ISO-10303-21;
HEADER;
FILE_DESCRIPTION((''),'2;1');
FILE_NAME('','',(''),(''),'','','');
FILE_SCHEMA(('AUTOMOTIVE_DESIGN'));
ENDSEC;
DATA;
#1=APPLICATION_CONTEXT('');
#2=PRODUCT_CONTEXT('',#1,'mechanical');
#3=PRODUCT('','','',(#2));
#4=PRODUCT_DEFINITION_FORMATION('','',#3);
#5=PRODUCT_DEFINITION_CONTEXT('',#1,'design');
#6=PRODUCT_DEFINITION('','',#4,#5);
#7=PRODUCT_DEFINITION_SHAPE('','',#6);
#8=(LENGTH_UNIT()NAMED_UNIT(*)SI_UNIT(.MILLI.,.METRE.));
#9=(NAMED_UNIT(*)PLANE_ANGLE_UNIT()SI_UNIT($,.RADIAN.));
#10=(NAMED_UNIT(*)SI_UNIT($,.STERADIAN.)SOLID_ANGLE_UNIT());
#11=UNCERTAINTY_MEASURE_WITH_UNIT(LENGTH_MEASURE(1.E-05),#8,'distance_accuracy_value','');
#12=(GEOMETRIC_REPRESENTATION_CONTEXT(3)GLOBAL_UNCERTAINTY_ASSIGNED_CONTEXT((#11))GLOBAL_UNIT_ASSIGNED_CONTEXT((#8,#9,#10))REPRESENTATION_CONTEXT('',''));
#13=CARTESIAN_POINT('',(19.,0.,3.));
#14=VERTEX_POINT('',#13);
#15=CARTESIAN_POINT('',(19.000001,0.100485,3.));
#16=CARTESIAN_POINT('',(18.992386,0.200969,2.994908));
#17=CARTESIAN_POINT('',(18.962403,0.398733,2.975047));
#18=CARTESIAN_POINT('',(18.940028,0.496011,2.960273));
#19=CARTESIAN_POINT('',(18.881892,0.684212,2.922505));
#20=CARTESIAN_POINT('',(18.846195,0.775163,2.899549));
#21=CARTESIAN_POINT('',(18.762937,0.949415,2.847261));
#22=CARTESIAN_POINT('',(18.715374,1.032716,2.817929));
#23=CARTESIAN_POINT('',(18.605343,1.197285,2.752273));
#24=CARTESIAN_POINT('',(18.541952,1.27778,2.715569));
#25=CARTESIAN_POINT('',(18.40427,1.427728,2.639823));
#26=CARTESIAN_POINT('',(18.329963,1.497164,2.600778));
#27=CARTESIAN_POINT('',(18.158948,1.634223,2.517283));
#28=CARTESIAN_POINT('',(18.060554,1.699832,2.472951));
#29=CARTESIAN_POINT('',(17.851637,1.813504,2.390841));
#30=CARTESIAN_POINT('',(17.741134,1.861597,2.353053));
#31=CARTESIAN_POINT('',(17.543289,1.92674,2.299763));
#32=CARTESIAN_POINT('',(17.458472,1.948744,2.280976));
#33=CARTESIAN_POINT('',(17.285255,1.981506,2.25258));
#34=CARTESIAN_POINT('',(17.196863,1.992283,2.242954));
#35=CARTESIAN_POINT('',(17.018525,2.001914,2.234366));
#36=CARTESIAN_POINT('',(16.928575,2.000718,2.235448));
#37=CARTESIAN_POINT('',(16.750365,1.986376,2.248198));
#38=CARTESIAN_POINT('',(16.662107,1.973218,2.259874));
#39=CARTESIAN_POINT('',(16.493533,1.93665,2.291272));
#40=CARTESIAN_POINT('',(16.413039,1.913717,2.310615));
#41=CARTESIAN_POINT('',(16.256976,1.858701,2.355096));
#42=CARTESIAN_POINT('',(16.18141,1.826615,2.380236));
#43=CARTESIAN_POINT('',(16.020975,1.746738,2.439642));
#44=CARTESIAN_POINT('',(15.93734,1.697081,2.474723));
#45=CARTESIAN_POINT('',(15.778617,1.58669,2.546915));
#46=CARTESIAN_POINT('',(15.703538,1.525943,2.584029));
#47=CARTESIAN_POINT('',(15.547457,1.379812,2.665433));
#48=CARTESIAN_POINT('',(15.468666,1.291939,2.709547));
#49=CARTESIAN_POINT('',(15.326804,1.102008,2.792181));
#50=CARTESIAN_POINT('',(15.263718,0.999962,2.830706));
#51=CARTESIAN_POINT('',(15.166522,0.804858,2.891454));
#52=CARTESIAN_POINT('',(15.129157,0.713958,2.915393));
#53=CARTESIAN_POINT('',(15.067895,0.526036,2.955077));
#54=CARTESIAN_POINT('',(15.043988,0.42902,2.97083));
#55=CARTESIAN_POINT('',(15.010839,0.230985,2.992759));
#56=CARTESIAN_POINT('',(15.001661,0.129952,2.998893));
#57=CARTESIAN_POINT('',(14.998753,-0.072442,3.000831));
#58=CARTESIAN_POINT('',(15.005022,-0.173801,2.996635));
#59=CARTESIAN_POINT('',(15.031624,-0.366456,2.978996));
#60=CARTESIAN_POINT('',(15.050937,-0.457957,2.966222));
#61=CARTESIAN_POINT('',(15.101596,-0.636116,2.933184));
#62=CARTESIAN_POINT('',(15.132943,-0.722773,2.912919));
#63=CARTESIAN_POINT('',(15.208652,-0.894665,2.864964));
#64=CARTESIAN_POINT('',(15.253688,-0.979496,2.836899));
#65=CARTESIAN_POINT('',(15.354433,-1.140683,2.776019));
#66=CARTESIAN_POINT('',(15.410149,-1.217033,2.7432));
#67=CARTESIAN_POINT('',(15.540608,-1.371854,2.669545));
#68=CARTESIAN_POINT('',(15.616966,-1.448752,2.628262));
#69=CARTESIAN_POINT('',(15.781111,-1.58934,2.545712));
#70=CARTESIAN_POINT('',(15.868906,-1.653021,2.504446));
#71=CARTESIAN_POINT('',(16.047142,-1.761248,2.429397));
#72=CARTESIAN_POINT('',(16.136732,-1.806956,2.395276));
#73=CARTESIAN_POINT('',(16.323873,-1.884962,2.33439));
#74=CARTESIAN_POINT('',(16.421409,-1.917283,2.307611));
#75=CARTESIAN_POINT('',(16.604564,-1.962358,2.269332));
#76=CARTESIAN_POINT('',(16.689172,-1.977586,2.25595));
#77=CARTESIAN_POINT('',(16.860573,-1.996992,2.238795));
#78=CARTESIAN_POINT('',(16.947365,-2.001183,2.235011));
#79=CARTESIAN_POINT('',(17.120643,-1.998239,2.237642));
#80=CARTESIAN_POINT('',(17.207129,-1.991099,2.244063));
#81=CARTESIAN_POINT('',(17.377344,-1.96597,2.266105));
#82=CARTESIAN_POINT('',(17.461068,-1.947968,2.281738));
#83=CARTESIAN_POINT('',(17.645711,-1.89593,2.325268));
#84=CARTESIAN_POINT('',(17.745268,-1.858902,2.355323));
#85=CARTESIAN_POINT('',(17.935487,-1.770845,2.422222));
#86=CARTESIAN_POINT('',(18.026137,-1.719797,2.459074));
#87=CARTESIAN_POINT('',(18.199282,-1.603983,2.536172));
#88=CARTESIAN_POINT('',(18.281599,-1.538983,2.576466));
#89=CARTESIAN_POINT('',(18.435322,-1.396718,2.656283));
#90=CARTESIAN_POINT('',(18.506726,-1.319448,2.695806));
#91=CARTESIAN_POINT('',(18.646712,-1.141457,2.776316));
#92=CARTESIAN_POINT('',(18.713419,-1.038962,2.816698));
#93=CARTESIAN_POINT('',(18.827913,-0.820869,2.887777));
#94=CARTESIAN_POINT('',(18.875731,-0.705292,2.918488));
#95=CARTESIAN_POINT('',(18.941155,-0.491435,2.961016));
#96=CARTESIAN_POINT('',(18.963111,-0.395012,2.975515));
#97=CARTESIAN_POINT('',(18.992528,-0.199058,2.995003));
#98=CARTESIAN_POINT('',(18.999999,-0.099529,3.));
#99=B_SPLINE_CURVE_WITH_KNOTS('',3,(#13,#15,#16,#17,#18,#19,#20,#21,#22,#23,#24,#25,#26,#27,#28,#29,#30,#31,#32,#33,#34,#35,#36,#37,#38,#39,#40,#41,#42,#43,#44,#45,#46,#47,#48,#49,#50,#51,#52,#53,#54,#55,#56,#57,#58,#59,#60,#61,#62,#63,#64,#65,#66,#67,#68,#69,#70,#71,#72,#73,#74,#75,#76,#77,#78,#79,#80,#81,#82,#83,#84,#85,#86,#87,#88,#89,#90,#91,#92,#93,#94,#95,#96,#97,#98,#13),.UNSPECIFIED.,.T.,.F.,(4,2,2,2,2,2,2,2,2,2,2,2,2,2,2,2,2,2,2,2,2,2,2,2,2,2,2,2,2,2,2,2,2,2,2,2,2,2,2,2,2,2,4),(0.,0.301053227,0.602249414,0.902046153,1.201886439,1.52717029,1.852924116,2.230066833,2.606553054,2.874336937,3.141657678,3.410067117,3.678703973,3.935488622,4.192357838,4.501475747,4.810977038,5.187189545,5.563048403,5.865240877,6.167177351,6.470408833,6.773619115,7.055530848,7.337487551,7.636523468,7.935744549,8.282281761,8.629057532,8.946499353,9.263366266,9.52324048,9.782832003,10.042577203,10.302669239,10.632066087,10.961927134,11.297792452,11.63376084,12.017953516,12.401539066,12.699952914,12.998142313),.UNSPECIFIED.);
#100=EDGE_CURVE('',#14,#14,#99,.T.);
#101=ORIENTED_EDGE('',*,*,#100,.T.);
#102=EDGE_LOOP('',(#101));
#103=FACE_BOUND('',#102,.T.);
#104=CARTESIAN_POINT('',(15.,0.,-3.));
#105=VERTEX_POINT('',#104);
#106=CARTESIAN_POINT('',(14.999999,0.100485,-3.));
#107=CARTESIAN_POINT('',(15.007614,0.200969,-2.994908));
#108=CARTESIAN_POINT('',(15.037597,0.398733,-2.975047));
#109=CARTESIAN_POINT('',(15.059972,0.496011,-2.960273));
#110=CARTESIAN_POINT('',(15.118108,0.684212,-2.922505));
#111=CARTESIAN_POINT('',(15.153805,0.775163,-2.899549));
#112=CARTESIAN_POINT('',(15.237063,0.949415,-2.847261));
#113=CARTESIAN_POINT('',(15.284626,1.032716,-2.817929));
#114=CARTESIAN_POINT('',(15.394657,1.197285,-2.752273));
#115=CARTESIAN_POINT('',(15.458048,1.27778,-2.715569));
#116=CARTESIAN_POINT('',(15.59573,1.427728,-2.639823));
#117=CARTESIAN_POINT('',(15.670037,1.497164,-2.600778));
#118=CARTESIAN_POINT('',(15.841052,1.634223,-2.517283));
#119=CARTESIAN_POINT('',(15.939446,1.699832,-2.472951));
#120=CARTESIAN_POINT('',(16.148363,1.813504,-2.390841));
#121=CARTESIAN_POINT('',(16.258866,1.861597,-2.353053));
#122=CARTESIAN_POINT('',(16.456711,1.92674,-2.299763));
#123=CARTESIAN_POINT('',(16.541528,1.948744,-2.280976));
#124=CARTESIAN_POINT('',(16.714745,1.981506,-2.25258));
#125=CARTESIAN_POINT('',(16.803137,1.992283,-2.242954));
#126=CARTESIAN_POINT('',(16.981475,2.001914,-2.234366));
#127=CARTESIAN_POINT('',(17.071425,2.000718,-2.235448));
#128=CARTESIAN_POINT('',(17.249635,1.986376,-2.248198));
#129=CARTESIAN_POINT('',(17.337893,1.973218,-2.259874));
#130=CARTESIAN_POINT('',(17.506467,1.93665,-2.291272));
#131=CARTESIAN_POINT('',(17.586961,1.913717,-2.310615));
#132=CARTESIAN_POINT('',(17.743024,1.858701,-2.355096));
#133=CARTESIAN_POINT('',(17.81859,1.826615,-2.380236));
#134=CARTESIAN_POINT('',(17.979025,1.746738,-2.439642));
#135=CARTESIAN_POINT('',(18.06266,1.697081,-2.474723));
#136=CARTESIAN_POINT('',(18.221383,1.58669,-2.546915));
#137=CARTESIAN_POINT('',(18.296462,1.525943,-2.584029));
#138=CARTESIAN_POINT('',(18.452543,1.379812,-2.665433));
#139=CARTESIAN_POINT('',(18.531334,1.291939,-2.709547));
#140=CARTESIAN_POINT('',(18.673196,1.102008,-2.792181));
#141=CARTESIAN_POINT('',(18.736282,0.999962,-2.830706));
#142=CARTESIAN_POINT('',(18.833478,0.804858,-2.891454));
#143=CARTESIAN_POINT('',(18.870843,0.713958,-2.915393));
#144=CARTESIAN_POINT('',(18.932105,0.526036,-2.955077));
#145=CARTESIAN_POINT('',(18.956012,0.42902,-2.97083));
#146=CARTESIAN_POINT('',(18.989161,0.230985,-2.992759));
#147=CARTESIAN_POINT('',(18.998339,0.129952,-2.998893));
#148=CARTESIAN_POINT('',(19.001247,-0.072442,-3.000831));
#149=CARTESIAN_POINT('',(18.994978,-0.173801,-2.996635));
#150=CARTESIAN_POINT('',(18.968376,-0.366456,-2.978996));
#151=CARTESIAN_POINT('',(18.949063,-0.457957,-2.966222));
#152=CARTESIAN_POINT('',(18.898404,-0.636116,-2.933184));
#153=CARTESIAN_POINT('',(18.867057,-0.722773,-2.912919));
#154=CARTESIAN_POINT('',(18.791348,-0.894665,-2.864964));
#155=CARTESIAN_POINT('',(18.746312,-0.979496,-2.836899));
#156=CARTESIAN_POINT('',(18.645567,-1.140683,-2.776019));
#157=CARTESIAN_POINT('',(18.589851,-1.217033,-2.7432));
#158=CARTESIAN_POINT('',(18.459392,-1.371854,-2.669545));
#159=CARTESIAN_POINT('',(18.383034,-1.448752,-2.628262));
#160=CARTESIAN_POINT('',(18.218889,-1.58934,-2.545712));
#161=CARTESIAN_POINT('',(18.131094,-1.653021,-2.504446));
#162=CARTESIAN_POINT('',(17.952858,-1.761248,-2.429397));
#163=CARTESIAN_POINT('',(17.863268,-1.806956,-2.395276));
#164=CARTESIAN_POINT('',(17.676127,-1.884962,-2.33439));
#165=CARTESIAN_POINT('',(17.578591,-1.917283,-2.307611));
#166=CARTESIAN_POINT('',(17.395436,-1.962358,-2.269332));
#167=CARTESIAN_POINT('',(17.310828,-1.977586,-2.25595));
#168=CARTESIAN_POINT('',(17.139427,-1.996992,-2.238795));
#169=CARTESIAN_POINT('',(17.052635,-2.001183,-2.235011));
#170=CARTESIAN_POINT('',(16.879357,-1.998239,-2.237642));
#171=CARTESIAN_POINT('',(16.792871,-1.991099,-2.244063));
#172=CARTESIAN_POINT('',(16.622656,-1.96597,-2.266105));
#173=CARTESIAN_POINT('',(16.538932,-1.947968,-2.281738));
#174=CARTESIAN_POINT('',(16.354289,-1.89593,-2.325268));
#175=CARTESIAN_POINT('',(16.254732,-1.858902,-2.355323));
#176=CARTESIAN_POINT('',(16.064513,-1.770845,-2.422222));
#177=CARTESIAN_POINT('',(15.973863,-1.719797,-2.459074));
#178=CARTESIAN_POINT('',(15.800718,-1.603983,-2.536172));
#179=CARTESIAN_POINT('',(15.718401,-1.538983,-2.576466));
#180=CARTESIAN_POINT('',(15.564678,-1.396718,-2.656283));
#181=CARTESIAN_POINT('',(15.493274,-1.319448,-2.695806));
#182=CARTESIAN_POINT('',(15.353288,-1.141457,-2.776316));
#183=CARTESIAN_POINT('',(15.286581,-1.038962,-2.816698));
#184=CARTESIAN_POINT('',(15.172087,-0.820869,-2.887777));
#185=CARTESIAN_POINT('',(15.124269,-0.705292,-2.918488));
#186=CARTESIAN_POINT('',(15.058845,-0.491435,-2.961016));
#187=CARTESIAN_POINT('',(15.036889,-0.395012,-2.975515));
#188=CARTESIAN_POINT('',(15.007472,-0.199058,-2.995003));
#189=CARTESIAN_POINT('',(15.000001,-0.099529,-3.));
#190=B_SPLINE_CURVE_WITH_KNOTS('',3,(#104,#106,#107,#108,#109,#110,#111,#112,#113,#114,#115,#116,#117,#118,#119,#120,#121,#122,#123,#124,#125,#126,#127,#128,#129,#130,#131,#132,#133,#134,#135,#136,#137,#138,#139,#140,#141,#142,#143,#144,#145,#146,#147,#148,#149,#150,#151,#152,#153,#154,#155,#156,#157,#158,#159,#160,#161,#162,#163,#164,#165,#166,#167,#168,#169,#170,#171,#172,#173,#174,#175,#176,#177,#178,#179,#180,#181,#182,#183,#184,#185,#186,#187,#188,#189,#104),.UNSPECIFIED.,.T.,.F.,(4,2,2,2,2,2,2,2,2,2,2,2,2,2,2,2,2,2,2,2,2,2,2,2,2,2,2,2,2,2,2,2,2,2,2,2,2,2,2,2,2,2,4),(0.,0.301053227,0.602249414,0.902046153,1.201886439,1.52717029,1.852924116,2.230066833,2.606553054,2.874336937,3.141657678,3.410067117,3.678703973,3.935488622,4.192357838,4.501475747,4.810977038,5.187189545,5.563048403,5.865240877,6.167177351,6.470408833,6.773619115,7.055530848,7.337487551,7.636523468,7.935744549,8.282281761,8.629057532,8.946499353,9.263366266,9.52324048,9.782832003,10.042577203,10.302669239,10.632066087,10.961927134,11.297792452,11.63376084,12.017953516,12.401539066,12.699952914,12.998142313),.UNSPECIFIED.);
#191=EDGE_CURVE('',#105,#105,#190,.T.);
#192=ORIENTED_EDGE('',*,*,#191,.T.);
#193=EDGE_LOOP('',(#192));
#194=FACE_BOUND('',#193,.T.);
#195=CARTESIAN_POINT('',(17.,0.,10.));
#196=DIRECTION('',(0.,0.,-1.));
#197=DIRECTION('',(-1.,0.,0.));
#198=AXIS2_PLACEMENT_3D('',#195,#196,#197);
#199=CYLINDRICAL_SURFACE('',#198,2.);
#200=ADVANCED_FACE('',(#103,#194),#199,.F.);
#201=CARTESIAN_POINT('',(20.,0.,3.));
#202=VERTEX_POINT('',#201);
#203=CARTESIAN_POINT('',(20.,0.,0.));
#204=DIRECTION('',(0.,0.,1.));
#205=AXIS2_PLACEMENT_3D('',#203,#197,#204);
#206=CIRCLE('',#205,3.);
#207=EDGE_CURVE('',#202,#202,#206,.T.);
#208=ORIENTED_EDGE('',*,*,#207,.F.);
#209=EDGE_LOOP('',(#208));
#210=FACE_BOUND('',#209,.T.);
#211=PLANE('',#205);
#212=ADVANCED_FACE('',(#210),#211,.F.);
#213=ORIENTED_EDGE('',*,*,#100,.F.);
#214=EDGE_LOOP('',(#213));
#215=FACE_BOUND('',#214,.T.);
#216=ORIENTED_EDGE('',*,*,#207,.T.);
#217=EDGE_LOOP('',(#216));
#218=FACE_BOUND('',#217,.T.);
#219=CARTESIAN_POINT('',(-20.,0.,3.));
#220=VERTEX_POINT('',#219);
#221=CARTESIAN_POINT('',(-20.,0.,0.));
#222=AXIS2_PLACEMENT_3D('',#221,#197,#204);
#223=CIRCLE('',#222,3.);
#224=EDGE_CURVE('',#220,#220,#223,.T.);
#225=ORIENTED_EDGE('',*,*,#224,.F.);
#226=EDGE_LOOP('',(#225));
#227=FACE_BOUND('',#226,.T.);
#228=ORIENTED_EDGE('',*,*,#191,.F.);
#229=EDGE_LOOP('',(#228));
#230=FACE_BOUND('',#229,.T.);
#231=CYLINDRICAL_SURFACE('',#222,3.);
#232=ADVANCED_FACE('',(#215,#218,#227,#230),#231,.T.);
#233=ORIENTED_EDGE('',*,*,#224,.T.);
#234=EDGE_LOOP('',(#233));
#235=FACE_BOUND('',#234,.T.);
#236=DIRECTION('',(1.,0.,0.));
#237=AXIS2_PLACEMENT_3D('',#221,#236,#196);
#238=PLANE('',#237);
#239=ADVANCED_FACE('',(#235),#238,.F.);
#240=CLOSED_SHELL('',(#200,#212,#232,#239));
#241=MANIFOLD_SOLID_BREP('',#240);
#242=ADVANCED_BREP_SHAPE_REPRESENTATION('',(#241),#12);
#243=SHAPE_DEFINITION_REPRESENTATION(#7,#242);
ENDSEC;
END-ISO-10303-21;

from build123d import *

# Parameters (mm, degrees)
SKETCH1_W               = 40
SKETCH1_H               = 3
CUT_EXTRUDE1_DEPTH      = 10
CUT_EXTRUDE1_DEPTH_BACK = 10
SKETCH2_R               = 2


with BuildPart() as part:
    # Sketch1 → Revolve1 (revolve)
    with BuildSketch(Plane.XY):
        with Locations((0, 1.5)):
            Rectangle(SKETCH1_W, SKETCH1_H)
    revolve(axis=Axis((-20, 0, 0), (1, 0, 0)))

    # Sketch2 → Cut-Extrude1 (cut, two sides: drawn at the far end of the back side and taken through both)
    with BuildSketch(Plane.XY.offset(-CUT_EXTRUDE1_DEPTH_BACK)):
        with Locations((17, 0)):
            Circle(SKETCH2_R)
    extrude(amount=CUT_EXTRUDE1_DEPTH + CUT_EXTRUDE1_DEPTH_BACK, mode=Mode.SUBTRACT)


solid = part.part
